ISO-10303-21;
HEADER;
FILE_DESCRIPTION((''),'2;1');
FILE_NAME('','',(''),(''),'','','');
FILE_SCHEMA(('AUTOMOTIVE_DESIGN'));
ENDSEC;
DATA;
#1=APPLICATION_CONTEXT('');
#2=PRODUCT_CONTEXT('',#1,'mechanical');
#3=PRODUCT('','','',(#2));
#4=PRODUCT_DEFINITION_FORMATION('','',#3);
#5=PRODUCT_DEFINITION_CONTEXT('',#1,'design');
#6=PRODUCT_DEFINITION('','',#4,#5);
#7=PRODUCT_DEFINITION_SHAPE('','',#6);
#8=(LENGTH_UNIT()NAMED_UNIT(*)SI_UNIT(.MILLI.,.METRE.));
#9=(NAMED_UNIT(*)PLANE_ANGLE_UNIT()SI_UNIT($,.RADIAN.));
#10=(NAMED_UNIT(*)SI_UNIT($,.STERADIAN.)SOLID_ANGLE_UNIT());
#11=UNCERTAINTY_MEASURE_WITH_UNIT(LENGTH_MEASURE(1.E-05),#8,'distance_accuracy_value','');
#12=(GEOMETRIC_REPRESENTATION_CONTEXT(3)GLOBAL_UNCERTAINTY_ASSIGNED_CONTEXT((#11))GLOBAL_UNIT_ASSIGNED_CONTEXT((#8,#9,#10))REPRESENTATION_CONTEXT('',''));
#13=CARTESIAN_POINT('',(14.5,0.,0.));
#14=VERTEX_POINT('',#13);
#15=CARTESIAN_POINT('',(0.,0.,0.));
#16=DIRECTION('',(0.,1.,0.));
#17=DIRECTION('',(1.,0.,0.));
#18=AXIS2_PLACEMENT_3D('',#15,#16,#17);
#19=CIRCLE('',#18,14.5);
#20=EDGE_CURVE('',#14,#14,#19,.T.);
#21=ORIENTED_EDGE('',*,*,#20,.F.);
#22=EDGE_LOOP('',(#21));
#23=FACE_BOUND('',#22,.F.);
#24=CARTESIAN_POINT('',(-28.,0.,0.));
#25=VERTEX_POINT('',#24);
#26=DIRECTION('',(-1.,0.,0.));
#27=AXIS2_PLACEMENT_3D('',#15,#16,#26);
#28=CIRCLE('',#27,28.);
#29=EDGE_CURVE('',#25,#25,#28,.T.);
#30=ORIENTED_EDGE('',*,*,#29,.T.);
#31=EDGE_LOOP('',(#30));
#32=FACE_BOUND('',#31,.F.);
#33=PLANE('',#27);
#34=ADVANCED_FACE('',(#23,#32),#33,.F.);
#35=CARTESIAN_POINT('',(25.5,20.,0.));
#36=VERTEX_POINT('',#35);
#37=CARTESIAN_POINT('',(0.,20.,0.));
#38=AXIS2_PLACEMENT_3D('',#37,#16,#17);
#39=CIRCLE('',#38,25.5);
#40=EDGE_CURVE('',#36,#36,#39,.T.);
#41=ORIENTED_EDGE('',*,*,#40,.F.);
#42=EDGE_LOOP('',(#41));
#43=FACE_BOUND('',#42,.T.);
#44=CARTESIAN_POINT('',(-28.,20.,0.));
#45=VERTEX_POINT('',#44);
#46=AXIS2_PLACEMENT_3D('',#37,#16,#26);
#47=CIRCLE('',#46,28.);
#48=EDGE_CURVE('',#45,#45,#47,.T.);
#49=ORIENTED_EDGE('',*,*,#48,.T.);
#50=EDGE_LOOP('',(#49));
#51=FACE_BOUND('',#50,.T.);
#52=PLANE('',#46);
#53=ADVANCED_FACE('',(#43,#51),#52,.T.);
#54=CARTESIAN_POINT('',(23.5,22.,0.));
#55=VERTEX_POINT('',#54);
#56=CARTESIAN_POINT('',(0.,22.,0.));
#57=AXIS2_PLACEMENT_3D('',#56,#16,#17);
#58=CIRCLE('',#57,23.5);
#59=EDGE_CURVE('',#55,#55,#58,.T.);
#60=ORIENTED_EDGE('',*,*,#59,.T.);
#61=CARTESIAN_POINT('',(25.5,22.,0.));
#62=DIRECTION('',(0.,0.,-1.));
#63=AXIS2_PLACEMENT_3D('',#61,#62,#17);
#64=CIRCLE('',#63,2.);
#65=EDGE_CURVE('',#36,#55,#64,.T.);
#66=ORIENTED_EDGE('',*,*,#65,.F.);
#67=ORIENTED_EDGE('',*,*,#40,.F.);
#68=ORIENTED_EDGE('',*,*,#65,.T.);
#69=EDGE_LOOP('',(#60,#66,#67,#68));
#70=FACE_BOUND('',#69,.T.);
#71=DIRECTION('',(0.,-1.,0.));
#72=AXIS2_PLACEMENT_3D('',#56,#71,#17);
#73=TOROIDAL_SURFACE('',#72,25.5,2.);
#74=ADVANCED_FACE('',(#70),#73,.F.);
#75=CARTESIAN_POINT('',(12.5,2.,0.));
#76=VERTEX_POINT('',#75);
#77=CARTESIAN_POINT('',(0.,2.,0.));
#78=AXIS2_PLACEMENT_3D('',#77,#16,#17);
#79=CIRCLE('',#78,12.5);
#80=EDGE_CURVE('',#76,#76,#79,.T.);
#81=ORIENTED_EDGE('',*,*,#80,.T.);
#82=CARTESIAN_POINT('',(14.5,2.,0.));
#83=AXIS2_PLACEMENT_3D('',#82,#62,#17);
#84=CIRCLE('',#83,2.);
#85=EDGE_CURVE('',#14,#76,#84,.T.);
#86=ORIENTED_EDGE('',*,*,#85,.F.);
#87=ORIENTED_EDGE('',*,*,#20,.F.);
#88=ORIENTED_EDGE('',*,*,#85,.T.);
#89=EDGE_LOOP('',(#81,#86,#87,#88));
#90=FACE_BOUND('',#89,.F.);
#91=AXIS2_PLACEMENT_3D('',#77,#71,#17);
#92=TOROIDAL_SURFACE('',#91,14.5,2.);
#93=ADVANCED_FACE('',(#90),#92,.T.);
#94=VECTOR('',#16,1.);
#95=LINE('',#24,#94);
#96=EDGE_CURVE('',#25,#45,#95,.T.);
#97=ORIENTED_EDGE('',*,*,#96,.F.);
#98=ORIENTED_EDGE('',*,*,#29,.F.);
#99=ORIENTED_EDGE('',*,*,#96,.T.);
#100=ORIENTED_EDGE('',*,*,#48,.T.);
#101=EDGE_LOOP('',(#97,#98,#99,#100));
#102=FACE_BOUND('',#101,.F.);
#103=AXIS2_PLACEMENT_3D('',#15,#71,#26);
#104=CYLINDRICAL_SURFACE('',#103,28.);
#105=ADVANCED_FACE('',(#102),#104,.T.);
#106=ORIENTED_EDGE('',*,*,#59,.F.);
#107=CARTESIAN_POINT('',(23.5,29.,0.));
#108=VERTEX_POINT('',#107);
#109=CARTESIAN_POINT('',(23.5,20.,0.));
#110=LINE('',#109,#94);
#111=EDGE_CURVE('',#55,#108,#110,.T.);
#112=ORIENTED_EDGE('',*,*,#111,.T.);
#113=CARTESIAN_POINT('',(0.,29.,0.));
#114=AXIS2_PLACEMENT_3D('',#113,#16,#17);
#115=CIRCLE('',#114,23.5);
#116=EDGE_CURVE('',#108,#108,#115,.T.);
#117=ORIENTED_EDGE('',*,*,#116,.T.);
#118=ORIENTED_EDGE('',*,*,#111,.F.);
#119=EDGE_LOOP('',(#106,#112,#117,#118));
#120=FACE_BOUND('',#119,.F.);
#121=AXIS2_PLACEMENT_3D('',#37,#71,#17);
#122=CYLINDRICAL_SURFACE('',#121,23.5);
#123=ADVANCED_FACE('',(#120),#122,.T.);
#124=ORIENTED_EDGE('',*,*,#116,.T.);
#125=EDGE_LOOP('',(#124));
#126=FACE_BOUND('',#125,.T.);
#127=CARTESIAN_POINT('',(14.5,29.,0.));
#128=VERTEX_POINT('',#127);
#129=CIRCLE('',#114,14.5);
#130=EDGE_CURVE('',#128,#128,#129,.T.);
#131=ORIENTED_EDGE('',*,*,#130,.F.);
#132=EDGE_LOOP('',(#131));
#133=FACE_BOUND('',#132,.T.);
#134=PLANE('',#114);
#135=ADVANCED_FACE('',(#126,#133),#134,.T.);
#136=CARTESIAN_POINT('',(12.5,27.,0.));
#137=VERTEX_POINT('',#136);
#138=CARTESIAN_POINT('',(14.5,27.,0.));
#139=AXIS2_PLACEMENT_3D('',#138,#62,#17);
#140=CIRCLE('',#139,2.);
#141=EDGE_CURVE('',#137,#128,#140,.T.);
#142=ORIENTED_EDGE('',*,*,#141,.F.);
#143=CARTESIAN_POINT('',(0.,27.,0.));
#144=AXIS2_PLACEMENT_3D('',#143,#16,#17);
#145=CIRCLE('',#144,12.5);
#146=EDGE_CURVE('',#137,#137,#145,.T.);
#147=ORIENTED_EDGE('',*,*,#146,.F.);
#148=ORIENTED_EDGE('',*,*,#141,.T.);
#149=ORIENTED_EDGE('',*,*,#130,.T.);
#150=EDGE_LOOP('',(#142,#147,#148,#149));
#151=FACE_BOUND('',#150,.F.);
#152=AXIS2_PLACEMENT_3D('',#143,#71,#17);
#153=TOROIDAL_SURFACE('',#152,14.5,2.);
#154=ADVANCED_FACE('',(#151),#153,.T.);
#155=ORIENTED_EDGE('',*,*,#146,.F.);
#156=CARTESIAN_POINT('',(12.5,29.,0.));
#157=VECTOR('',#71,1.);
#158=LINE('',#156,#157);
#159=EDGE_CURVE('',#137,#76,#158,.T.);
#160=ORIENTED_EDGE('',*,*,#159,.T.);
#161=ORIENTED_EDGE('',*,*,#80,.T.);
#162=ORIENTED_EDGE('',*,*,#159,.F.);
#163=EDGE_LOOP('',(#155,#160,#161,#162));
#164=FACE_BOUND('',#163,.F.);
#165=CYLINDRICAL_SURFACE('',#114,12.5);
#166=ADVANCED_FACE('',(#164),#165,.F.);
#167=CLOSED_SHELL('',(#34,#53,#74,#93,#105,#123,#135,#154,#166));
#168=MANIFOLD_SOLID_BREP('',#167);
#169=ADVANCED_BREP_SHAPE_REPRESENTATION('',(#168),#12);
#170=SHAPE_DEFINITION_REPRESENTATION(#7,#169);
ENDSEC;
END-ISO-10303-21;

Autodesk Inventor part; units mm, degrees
ref_plane "YZ Plane" through (0, 0, 0) normal (1, 0, 0) x (0, 1, 0)
ref_plane "XZ Plane" through (0, 0, 0) normal (0, 1, 0) x (-1, 0, 0)
ref_plane "XY Plane" through (0, 0, 0) normal (0, 0, 1) x (1, 0, 0)
sketch "Sketch1" plane through (0, 0, 0) normal (0, 1, 0) x (-1, 0, 0)
  circle A0 centre (0, 0) radius 28
  dimension "d0" = 56
extrude "Extrusion1" add sketch "Sketch1" along normal blind 20
sketch "Sketch2" plane through (0, 20, 0) normal (0, 1, 0) x (1, 0, 0)
  circle A0 centre (0, 0) radius 23.5
  dimension "d3" = 47
extrude "Extrusion2" add sketch "Sketch2" along normal blind 9
sketch "Sketch3" plane through (0, 29, 0) normal (0, 1, 0) x (1, 0, 0)
  circle A0 centre (0, 0) radius 12.5
  dimension "d6" = 25
extrude "Extrusion3" cut sketch "Sketch3" against normal blind 38
fillet "Fillet1" radius 2 2 edges at (-12.5, 29, 0) (-12.5, 0, 0)
fillet "Fillet2" radius 2 1 edges at (-23.5, 20, 0)
properties part number "PISTON GUIDE"
